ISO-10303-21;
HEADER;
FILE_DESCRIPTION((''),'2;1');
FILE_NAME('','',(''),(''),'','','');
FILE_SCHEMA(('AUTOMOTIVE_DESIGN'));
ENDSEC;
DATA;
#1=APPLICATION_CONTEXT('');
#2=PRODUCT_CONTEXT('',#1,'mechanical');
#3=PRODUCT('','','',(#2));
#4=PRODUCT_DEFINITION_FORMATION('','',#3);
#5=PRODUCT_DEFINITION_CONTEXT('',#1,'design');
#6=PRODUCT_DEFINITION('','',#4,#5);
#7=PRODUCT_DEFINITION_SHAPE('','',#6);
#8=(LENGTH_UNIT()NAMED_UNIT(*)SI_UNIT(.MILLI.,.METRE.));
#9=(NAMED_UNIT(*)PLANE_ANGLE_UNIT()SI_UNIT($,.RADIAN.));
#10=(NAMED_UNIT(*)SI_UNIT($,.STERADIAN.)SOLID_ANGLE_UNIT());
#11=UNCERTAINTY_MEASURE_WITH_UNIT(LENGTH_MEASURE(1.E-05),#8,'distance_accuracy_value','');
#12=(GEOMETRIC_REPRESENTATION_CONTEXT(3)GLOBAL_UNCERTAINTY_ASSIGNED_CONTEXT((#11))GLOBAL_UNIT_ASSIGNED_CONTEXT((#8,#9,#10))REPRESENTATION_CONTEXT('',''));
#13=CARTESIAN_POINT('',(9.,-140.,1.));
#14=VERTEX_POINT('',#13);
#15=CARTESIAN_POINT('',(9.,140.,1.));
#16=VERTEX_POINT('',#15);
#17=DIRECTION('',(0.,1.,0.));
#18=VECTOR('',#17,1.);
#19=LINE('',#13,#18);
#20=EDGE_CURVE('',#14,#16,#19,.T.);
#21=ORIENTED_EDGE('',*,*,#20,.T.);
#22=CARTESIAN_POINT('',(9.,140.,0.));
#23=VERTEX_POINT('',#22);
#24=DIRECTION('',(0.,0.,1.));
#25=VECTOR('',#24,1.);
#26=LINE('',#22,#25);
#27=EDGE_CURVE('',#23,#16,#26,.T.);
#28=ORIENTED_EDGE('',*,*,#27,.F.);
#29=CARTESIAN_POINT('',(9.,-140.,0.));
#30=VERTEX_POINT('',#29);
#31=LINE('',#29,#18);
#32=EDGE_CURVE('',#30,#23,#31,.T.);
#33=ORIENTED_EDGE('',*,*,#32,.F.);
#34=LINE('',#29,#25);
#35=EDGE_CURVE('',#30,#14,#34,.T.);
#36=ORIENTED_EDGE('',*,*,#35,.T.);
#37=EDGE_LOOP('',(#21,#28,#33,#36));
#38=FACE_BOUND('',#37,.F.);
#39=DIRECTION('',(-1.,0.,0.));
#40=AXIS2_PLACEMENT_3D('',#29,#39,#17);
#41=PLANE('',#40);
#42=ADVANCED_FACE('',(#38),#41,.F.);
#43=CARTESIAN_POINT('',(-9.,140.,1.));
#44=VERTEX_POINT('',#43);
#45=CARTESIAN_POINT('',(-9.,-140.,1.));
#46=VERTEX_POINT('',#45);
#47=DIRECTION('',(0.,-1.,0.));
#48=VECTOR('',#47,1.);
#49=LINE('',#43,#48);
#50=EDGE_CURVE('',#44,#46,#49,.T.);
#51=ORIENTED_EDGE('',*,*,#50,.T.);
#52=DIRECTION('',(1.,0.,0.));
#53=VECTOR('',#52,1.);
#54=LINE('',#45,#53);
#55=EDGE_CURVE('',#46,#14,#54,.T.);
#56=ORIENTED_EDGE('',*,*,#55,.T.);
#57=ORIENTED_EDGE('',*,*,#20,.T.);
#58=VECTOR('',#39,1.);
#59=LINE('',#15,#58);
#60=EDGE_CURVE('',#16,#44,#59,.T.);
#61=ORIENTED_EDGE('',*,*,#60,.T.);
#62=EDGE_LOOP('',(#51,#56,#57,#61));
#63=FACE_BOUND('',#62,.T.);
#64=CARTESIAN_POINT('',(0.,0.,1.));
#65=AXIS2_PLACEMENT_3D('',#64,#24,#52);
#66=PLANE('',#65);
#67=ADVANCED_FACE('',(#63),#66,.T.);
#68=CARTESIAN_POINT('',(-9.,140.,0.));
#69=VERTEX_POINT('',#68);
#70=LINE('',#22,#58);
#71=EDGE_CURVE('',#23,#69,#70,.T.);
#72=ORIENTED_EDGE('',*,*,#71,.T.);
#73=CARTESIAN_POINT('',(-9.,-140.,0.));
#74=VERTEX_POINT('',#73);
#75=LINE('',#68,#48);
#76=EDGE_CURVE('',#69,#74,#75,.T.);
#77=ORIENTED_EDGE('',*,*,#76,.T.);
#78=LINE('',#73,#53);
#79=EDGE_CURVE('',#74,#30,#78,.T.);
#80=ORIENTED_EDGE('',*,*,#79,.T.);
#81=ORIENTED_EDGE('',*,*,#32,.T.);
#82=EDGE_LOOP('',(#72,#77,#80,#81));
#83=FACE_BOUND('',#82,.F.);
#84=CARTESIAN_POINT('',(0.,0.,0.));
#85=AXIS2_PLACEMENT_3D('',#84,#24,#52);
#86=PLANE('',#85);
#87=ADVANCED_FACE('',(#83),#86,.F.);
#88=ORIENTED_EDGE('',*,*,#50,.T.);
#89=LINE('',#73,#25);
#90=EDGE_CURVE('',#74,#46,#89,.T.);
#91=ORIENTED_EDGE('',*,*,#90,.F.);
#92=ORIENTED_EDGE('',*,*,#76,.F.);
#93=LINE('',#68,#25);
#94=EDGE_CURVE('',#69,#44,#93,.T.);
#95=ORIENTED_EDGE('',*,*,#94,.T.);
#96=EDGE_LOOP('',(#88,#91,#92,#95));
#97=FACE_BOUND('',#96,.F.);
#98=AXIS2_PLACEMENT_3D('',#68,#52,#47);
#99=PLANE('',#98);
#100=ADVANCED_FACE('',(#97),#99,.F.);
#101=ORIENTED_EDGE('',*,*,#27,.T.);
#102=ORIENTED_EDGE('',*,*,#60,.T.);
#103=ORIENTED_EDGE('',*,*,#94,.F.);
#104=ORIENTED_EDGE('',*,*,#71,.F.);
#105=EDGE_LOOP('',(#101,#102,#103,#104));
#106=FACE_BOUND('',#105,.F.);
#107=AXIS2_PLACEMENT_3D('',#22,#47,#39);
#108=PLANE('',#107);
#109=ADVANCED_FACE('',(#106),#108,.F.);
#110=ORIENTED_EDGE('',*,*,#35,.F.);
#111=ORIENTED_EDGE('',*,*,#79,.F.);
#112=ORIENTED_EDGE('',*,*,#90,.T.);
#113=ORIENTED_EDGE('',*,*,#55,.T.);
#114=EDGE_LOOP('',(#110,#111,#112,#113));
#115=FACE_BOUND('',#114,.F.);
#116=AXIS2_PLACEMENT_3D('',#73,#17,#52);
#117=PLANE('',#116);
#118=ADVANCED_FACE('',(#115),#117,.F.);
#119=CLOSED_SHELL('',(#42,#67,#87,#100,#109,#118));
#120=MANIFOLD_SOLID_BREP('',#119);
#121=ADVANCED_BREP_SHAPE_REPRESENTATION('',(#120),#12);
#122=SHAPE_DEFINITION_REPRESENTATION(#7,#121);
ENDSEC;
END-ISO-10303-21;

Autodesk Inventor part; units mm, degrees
ref_plane "YZ Plane" through (0, 0, 0) normal (1, 0, 0) x (0, 1, 0)
ref_plane "XZ Plane" through (0, 0, 0) normal (0, 1, 0) x (-1, 0, 0)
ref_plane "XY Plane" through (0, 0, 0) normal (0, 0, 1) x (1, 0, 0)
sketch "Sketch1" plane through (0, 0, 0) normal (0, 0, 1) x (1, 0, 0)
  line L0 (-9, -140) -> (9, -140)
  line L1 (9, -140) -> (9, 140)
  line L2 (9, 140) -> (-9, 140)
  line L3 (-9, 140) -> (-9, -140)
  line L4 (-9, -140) -> (9, 140) construction
  line L5 (9, -140) -> (-9, 140) construction
  point P0 (0, 0)
  dimension "d2" = 280
  dimension "d3" = 18
extrude "Extrusion1" add sketch "Sketch1" along normal blind 1
properties part number "Ruler_1"
